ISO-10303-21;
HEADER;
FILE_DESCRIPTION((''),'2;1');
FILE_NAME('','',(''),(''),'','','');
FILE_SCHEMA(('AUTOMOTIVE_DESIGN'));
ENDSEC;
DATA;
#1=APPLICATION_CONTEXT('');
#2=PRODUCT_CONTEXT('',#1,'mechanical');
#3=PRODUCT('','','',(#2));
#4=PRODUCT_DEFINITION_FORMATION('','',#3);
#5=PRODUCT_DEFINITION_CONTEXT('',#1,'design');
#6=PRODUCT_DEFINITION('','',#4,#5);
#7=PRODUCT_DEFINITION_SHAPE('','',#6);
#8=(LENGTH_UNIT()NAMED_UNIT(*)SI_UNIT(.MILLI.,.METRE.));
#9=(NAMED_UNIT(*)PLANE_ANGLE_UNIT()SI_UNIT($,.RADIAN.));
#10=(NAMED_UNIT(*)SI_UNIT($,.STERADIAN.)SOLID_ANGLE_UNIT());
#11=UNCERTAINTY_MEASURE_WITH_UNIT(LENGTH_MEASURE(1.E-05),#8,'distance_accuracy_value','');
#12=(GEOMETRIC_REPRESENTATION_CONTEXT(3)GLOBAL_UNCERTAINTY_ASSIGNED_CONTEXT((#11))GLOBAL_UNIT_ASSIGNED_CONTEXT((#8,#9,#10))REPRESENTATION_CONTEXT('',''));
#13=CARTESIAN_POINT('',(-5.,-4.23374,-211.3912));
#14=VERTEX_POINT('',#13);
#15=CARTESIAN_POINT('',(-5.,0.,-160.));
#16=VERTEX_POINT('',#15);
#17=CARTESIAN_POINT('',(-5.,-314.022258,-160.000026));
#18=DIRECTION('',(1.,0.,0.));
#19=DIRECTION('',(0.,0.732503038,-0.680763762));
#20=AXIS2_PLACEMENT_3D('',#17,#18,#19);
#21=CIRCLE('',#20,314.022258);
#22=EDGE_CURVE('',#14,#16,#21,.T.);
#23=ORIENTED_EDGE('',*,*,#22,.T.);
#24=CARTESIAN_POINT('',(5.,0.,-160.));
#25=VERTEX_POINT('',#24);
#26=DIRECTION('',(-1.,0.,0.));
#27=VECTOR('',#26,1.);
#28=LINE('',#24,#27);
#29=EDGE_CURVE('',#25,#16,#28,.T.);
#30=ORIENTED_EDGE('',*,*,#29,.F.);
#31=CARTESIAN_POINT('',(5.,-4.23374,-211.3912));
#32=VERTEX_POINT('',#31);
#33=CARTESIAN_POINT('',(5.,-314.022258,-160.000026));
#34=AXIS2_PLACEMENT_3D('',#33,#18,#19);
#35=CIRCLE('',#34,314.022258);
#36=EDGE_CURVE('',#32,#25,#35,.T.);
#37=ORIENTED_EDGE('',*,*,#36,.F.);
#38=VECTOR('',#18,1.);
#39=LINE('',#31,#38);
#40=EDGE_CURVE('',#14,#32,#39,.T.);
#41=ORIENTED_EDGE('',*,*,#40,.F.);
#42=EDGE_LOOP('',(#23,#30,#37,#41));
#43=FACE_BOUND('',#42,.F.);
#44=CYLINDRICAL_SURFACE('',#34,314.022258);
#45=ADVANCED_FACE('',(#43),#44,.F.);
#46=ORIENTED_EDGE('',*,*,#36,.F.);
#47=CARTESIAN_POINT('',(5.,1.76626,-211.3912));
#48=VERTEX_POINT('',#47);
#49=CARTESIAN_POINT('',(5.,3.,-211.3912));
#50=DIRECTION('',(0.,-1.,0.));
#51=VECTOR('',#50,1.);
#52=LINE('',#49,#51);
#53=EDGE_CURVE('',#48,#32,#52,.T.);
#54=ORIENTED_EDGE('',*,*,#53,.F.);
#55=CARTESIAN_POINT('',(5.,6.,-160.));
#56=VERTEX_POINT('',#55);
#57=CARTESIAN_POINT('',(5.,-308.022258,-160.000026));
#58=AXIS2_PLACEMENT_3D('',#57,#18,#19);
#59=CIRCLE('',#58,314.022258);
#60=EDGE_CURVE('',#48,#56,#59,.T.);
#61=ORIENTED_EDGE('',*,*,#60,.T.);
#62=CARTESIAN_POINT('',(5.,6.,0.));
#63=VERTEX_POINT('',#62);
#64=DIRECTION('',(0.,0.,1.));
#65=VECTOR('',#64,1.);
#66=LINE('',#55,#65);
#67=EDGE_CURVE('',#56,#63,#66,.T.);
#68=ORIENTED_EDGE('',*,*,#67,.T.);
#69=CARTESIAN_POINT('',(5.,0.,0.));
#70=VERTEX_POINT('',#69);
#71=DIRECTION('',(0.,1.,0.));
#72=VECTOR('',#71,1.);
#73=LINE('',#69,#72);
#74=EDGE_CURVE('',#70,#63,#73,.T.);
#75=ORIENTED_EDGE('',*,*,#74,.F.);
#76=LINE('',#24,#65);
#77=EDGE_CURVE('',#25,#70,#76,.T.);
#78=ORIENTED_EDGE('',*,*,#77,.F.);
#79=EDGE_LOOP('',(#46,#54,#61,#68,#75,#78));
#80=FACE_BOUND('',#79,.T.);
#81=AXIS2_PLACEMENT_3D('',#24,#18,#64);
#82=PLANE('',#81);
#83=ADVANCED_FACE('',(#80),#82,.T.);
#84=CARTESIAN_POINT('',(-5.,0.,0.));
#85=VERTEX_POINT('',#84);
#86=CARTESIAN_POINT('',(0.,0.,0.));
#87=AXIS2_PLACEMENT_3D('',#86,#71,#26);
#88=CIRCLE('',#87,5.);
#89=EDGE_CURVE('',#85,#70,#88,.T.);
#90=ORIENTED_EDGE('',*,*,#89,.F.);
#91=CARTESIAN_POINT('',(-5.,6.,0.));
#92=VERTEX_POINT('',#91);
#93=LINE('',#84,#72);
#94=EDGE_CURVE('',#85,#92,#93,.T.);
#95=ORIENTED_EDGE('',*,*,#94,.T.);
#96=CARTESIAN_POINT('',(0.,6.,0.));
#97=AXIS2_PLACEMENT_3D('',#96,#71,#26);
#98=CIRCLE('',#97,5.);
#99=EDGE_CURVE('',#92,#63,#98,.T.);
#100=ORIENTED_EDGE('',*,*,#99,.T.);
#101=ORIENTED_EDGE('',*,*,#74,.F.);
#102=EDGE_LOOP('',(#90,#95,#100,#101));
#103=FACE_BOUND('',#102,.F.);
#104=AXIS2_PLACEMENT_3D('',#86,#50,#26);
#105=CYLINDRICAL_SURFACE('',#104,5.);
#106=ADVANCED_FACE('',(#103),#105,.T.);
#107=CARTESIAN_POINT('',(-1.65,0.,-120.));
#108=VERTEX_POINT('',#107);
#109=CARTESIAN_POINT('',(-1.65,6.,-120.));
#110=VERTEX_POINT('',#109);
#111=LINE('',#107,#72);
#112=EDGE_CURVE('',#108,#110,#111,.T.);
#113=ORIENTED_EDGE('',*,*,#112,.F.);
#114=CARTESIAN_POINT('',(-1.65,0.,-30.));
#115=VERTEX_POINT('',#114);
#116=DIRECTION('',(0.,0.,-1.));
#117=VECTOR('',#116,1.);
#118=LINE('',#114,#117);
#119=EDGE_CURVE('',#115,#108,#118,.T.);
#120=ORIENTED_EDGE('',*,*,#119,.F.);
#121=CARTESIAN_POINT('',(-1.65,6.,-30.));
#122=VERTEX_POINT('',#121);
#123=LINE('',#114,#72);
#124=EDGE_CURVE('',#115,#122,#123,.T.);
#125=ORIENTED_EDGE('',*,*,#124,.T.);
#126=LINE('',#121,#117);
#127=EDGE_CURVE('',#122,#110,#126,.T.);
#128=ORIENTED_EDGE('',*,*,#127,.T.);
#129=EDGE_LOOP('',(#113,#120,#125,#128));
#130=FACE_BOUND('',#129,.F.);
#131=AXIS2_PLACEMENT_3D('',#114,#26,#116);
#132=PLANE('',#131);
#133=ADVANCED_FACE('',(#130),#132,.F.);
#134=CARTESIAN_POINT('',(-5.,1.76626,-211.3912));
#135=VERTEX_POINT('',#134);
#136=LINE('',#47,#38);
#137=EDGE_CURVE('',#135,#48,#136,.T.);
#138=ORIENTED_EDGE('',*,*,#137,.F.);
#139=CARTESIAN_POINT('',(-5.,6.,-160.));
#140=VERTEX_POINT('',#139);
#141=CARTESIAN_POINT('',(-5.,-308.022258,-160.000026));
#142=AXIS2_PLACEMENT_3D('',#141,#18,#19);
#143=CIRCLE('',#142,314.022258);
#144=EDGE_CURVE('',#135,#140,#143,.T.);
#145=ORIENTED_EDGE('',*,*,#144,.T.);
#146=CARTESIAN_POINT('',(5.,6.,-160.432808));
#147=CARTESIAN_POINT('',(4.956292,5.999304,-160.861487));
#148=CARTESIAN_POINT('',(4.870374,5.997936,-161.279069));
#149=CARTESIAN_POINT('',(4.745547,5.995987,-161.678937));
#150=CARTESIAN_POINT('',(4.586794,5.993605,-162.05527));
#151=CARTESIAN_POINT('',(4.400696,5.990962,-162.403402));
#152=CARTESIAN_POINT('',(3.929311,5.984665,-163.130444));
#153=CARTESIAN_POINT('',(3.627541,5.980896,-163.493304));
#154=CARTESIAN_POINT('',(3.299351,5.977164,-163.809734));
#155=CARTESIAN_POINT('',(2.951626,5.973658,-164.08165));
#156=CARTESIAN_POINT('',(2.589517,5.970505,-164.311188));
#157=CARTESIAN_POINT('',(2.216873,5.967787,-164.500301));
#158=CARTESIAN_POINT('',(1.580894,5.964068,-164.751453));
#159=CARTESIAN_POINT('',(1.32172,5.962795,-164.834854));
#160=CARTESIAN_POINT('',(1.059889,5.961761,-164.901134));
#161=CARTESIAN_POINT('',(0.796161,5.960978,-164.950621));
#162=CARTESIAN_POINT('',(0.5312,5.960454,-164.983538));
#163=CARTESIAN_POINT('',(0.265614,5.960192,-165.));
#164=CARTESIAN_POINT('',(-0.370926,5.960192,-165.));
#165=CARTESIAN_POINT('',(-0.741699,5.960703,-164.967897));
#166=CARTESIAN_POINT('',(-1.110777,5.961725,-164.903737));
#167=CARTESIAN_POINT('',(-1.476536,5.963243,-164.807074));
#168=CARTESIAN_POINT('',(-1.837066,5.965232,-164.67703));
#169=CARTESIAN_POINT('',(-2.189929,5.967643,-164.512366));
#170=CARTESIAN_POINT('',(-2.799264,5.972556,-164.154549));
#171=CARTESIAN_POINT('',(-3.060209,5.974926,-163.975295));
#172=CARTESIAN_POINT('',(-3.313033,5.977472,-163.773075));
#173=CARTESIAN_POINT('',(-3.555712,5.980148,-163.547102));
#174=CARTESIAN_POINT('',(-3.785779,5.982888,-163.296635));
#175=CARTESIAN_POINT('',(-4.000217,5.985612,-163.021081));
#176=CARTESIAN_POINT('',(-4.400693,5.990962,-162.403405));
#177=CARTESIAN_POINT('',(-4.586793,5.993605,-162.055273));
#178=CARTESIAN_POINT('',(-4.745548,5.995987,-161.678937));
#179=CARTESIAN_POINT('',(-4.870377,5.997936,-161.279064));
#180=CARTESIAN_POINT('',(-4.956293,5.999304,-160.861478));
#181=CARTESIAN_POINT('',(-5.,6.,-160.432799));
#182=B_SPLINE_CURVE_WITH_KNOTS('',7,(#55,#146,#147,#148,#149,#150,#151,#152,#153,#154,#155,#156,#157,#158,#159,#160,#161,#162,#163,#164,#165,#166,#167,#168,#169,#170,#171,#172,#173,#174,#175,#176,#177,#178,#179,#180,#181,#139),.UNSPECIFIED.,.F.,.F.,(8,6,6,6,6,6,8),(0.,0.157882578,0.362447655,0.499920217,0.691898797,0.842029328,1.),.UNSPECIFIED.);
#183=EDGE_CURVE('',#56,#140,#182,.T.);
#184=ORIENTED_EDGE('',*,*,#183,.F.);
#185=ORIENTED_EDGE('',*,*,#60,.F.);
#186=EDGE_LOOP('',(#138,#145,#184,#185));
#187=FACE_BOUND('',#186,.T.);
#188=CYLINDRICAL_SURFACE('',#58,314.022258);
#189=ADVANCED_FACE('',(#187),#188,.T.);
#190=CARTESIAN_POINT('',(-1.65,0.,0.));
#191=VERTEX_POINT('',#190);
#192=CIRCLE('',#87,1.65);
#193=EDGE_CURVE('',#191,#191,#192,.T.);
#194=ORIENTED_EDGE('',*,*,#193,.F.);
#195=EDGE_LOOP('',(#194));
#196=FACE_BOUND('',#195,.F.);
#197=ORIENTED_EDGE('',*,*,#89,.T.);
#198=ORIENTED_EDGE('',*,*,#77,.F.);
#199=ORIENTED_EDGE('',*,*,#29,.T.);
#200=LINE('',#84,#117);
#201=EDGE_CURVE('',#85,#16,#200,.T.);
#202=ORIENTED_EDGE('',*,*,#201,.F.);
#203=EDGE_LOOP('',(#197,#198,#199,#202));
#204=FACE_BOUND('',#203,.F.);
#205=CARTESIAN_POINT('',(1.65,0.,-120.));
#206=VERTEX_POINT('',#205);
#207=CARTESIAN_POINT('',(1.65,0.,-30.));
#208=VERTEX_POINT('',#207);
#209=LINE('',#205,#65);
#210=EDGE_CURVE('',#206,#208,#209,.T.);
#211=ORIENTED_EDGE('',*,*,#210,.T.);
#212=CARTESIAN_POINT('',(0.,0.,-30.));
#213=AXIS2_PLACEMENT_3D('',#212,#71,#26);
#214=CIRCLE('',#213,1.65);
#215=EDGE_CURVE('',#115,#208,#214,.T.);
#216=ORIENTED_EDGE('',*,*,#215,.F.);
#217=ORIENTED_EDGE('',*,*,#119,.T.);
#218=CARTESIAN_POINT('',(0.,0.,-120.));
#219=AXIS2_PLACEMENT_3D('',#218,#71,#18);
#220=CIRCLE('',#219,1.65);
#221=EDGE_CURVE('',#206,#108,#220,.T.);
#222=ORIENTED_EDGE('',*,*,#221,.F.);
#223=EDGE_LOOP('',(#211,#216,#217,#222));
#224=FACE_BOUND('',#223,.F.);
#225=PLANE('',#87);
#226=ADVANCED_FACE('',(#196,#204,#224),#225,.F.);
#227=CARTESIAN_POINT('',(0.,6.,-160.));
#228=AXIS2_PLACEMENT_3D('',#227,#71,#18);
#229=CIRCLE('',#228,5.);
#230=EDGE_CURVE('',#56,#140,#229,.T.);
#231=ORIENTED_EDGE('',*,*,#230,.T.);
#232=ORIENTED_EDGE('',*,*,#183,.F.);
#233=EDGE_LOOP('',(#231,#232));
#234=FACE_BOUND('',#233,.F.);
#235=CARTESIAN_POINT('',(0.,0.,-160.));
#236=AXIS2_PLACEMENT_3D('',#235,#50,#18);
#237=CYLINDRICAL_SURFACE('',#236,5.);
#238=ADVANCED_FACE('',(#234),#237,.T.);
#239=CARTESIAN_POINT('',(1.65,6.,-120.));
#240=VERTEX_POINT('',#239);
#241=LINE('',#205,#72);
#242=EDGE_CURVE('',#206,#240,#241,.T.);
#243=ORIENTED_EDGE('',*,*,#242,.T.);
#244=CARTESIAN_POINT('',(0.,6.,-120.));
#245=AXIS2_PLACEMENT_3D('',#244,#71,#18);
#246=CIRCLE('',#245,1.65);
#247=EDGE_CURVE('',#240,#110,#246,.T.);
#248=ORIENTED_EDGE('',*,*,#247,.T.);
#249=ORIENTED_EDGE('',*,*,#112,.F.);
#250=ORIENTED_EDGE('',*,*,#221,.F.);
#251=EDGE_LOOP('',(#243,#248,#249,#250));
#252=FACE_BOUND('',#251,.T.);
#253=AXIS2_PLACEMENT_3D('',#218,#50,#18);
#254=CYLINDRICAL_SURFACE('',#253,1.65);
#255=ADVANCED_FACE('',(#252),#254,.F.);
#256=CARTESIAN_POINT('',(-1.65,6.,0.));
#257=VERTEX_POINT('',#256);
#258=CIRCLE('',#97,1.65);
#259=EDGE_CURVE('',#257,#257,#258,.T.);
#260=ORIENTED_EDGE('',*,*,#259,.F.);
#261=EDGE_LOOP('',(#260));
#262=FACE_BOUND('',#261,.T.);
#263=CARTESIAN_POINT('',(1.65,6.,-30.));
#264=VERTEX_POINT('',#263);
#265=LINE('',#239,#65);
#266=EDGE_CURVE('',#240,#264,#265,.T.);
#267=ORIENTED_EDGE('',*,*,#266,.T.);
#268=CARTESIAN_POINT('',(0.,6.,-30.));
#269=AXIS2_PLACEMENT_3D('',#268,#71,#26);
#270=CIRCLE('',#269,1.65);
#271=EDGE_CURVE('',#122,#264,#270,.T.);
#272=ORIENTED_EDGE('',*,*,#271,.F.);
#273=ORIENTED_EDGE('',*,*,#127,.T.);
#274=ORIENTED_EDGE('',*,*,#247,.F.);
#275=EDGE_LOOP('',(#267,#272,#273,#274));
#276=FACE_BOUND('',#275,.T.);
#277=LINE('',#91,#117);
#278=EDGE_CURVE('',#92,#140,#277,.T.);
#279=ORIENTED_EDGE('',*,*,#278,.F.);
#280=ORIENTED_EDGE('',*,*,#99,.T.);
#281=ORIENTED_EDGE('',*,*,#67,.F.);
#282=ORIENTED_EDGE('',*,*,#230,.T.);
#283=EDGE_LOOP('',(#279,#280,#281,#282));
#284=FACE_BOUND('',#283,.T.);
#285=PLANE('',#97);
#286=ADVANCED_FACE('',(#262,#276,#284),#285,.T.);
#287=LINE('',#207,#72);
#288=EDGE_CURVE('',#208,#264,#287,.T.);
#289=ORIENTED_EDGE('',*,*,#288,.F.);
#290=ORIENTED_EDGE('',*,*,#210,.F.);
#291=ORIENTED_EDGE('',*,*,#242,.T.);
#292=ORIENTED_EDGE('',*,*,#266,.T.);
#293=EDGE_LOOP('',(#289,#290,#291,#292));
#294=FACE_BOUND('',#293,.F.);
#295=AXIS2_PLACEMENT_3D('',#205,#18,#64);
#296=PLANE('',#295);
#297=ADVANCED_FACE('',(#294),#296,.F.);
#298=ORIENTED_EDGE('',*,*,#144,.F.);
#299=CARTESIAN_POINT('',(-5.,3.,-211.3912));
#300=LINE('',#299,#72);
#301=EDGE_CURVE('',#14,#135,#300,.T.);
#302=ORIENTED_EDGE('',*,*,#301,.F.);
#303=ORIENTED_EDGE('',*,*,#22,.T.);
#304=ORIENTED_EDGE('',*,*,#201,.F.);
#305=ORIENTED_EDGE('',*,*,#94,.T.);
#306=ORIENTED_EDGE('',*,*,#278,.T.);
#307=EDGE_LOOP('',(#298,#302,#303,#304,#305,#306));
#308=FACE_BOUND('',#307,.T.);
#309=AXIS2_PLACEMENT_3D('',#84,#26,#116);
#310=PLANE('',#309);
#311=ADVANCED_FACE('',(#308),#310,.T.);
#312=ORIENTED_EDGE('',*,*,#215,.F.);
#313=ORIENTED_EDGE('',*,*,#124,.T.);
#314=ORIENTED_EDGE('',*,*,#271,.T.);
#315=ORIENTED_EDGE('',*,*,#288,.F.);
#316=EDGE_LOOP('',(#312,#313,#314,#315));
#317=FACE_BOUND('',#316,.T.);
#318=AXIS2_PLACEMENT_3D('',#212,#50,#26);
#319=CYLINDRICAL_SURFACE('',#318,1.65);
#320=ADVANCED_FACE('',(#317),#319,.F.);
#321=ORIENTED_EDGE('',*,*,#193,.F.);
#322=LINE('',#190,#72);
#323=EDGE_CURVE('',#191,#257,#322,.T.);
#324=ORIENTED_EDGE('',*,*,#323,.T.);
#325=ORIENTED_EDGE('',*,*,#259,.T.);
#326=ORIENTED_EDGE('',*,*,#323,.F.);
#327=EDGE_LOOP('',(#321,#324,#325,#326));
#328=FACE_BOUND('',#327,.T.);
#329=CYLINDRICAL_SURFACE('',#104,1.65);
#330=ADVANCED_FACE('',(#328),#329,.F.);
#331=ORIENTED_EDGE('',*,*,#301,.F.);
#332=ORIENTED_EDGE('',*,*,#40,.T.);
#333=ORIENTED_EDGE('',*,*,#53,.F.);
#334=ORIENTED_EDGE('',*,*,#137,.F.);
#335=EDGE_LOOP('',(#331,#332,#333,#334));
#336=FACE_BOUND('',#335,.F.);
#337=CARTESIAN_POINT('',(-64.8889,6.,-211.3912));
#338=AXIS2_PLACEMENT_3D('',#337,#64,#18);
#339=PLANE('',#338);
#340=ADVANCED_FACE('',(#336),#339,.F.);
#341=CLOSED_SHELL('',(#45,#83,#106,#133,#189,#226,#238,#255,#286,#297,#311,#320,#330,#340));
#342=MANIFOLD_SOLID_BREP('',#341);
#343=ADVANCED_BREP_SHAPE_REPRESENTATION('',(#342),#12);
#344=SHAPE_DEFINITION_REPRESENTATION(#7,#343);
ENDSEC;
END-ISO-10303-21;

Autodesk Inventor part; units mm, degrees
ref_plane "YZ Plane" through (0, 0, 0) normal (1, 0, 0) x (0, 1, 0)
ref_plane "XZ Plane" through (0, 0, 0) normal (0, 1, 0) x (-1, 0, 0)
ref_plane "XY Plane" through (0, 0, 0) normal (0, 0, 1) x (1, 0, 0)
sketch "Sketch1" plane through (0, 0, 0) normal (0, 1, 0) x (-1, 0, 0)
  line L0 (0, 0) -> (0, -160) construction
  line L1 (5, 0) -> (5, -160)
  line L2 (-5, -160) -> (-5, 0)
  arc A0 (5, 0) -> (-5, 0) centre (0, 0) ccw
  arc A1 (-5, -160) -> (5, -160) centre (0, -160) ccw
  circle A2 centre (0, 0) radius 1.65
  line L3 (0, -30) -> (0, -120) construction
  line L4 (1.65, -30) -> (1.65, -120)
  line L5 (-1.65, -120) -> (-1.65, -30)
  arc A3 (1.65, -30) -> (-1.65, -30) centre (0, -30) ccw
  arc A4 (-1.65, -120) -> (1.65, -120) centre (0, -120) ccw
  point P0 (0, -80)
  point P1 (0, -75)
  dimension "d0" = 160
  dimension "d1" = 10
  dimension "d2" = 3.3
  dimension "d3" = 30
  dimension "d5" = 120
  dimension "d6" = 3.3
extrude "Extrusion1" add sketch "Sketch1" along normal blind 6
sketch "Sketch2" plane through (5, 0, 0) normal (1, 0, 0) x (0, 0, -1)
  line L0 (160, 0) -> (160, 6) projected
  line L1 (0, 0) -> (160, 0) projected
  line L2 (160, 0) -> (160, 6) projected
  line L3 (0, 6) -> (160, 6) projected
  line L4 (0, 0) -> (0, 6) projected
  line L5 (160, 0) -> (160, 0) projected
  line L6 (160, 0) -> (160, 6) projected
  line L7 (160, 6) -> (160, 6) projected
  line L8 (160, 0) -> (160, 6) projected
  line L9 (160, 0) -> (0, 0) projected
  arc A0 (373.775, -84) -> (160, 0) centre (160, -314.0223) ccw
  line L10 (160, 6) -> (0, 6) projected
  arc A1 (373.775, -78) -> (160, 6) centre (160, -308.0223) ccw
  line L11 (373.775, -78) -> (373.775, -84)
  line L12 (0, 0) -> (160, 0) projected
  dimension "d9" = 6
  dimension "d10" = 373.775
  dimension "d11" = 90
extrude "Extrusion2" add sketch "Sketch2" against normal blind 10 contours L0 A1 L11 A0
fillet "Fillet1" radius 2 4 edges at (0, -78, -373.775) (5, -81, -373.775) (-5, -81, -373.775) (0, -84, -373.775)
sketch "Sketch3" plane through (0, 6, 0) normal (0, 1, 0) x (1, 0, 0)
  line L0 (36.6774, -16.9321) -> (-64.8889, -16.9321)
  line L1 (-64.8889, -16.9321) -> (-64.8889, 211.3912)
  line L2 (-64.8889, 211.3912) -> (36.6774, 211.3912)
  line L3 (36.6774, 211.3912) -> (36.6774, -16.9321)
  line L4 (-92.1247, 397.3107) -> (101.238, 397.3107)
  line L5 (101.238, 397.3107) -> (101.238, -55.9315)
  line L6 (101.238, -55.9315) -> (-92.1247, -55.9315)
  line L7 (-92.1247, -55.9315) -> (-92.1247, 397.3107)
  point P0 (0, 0)
extrude "Extrusion3" cut sketch "Sketch3" against normal blind 100
properties part number "Part_11_p2"
